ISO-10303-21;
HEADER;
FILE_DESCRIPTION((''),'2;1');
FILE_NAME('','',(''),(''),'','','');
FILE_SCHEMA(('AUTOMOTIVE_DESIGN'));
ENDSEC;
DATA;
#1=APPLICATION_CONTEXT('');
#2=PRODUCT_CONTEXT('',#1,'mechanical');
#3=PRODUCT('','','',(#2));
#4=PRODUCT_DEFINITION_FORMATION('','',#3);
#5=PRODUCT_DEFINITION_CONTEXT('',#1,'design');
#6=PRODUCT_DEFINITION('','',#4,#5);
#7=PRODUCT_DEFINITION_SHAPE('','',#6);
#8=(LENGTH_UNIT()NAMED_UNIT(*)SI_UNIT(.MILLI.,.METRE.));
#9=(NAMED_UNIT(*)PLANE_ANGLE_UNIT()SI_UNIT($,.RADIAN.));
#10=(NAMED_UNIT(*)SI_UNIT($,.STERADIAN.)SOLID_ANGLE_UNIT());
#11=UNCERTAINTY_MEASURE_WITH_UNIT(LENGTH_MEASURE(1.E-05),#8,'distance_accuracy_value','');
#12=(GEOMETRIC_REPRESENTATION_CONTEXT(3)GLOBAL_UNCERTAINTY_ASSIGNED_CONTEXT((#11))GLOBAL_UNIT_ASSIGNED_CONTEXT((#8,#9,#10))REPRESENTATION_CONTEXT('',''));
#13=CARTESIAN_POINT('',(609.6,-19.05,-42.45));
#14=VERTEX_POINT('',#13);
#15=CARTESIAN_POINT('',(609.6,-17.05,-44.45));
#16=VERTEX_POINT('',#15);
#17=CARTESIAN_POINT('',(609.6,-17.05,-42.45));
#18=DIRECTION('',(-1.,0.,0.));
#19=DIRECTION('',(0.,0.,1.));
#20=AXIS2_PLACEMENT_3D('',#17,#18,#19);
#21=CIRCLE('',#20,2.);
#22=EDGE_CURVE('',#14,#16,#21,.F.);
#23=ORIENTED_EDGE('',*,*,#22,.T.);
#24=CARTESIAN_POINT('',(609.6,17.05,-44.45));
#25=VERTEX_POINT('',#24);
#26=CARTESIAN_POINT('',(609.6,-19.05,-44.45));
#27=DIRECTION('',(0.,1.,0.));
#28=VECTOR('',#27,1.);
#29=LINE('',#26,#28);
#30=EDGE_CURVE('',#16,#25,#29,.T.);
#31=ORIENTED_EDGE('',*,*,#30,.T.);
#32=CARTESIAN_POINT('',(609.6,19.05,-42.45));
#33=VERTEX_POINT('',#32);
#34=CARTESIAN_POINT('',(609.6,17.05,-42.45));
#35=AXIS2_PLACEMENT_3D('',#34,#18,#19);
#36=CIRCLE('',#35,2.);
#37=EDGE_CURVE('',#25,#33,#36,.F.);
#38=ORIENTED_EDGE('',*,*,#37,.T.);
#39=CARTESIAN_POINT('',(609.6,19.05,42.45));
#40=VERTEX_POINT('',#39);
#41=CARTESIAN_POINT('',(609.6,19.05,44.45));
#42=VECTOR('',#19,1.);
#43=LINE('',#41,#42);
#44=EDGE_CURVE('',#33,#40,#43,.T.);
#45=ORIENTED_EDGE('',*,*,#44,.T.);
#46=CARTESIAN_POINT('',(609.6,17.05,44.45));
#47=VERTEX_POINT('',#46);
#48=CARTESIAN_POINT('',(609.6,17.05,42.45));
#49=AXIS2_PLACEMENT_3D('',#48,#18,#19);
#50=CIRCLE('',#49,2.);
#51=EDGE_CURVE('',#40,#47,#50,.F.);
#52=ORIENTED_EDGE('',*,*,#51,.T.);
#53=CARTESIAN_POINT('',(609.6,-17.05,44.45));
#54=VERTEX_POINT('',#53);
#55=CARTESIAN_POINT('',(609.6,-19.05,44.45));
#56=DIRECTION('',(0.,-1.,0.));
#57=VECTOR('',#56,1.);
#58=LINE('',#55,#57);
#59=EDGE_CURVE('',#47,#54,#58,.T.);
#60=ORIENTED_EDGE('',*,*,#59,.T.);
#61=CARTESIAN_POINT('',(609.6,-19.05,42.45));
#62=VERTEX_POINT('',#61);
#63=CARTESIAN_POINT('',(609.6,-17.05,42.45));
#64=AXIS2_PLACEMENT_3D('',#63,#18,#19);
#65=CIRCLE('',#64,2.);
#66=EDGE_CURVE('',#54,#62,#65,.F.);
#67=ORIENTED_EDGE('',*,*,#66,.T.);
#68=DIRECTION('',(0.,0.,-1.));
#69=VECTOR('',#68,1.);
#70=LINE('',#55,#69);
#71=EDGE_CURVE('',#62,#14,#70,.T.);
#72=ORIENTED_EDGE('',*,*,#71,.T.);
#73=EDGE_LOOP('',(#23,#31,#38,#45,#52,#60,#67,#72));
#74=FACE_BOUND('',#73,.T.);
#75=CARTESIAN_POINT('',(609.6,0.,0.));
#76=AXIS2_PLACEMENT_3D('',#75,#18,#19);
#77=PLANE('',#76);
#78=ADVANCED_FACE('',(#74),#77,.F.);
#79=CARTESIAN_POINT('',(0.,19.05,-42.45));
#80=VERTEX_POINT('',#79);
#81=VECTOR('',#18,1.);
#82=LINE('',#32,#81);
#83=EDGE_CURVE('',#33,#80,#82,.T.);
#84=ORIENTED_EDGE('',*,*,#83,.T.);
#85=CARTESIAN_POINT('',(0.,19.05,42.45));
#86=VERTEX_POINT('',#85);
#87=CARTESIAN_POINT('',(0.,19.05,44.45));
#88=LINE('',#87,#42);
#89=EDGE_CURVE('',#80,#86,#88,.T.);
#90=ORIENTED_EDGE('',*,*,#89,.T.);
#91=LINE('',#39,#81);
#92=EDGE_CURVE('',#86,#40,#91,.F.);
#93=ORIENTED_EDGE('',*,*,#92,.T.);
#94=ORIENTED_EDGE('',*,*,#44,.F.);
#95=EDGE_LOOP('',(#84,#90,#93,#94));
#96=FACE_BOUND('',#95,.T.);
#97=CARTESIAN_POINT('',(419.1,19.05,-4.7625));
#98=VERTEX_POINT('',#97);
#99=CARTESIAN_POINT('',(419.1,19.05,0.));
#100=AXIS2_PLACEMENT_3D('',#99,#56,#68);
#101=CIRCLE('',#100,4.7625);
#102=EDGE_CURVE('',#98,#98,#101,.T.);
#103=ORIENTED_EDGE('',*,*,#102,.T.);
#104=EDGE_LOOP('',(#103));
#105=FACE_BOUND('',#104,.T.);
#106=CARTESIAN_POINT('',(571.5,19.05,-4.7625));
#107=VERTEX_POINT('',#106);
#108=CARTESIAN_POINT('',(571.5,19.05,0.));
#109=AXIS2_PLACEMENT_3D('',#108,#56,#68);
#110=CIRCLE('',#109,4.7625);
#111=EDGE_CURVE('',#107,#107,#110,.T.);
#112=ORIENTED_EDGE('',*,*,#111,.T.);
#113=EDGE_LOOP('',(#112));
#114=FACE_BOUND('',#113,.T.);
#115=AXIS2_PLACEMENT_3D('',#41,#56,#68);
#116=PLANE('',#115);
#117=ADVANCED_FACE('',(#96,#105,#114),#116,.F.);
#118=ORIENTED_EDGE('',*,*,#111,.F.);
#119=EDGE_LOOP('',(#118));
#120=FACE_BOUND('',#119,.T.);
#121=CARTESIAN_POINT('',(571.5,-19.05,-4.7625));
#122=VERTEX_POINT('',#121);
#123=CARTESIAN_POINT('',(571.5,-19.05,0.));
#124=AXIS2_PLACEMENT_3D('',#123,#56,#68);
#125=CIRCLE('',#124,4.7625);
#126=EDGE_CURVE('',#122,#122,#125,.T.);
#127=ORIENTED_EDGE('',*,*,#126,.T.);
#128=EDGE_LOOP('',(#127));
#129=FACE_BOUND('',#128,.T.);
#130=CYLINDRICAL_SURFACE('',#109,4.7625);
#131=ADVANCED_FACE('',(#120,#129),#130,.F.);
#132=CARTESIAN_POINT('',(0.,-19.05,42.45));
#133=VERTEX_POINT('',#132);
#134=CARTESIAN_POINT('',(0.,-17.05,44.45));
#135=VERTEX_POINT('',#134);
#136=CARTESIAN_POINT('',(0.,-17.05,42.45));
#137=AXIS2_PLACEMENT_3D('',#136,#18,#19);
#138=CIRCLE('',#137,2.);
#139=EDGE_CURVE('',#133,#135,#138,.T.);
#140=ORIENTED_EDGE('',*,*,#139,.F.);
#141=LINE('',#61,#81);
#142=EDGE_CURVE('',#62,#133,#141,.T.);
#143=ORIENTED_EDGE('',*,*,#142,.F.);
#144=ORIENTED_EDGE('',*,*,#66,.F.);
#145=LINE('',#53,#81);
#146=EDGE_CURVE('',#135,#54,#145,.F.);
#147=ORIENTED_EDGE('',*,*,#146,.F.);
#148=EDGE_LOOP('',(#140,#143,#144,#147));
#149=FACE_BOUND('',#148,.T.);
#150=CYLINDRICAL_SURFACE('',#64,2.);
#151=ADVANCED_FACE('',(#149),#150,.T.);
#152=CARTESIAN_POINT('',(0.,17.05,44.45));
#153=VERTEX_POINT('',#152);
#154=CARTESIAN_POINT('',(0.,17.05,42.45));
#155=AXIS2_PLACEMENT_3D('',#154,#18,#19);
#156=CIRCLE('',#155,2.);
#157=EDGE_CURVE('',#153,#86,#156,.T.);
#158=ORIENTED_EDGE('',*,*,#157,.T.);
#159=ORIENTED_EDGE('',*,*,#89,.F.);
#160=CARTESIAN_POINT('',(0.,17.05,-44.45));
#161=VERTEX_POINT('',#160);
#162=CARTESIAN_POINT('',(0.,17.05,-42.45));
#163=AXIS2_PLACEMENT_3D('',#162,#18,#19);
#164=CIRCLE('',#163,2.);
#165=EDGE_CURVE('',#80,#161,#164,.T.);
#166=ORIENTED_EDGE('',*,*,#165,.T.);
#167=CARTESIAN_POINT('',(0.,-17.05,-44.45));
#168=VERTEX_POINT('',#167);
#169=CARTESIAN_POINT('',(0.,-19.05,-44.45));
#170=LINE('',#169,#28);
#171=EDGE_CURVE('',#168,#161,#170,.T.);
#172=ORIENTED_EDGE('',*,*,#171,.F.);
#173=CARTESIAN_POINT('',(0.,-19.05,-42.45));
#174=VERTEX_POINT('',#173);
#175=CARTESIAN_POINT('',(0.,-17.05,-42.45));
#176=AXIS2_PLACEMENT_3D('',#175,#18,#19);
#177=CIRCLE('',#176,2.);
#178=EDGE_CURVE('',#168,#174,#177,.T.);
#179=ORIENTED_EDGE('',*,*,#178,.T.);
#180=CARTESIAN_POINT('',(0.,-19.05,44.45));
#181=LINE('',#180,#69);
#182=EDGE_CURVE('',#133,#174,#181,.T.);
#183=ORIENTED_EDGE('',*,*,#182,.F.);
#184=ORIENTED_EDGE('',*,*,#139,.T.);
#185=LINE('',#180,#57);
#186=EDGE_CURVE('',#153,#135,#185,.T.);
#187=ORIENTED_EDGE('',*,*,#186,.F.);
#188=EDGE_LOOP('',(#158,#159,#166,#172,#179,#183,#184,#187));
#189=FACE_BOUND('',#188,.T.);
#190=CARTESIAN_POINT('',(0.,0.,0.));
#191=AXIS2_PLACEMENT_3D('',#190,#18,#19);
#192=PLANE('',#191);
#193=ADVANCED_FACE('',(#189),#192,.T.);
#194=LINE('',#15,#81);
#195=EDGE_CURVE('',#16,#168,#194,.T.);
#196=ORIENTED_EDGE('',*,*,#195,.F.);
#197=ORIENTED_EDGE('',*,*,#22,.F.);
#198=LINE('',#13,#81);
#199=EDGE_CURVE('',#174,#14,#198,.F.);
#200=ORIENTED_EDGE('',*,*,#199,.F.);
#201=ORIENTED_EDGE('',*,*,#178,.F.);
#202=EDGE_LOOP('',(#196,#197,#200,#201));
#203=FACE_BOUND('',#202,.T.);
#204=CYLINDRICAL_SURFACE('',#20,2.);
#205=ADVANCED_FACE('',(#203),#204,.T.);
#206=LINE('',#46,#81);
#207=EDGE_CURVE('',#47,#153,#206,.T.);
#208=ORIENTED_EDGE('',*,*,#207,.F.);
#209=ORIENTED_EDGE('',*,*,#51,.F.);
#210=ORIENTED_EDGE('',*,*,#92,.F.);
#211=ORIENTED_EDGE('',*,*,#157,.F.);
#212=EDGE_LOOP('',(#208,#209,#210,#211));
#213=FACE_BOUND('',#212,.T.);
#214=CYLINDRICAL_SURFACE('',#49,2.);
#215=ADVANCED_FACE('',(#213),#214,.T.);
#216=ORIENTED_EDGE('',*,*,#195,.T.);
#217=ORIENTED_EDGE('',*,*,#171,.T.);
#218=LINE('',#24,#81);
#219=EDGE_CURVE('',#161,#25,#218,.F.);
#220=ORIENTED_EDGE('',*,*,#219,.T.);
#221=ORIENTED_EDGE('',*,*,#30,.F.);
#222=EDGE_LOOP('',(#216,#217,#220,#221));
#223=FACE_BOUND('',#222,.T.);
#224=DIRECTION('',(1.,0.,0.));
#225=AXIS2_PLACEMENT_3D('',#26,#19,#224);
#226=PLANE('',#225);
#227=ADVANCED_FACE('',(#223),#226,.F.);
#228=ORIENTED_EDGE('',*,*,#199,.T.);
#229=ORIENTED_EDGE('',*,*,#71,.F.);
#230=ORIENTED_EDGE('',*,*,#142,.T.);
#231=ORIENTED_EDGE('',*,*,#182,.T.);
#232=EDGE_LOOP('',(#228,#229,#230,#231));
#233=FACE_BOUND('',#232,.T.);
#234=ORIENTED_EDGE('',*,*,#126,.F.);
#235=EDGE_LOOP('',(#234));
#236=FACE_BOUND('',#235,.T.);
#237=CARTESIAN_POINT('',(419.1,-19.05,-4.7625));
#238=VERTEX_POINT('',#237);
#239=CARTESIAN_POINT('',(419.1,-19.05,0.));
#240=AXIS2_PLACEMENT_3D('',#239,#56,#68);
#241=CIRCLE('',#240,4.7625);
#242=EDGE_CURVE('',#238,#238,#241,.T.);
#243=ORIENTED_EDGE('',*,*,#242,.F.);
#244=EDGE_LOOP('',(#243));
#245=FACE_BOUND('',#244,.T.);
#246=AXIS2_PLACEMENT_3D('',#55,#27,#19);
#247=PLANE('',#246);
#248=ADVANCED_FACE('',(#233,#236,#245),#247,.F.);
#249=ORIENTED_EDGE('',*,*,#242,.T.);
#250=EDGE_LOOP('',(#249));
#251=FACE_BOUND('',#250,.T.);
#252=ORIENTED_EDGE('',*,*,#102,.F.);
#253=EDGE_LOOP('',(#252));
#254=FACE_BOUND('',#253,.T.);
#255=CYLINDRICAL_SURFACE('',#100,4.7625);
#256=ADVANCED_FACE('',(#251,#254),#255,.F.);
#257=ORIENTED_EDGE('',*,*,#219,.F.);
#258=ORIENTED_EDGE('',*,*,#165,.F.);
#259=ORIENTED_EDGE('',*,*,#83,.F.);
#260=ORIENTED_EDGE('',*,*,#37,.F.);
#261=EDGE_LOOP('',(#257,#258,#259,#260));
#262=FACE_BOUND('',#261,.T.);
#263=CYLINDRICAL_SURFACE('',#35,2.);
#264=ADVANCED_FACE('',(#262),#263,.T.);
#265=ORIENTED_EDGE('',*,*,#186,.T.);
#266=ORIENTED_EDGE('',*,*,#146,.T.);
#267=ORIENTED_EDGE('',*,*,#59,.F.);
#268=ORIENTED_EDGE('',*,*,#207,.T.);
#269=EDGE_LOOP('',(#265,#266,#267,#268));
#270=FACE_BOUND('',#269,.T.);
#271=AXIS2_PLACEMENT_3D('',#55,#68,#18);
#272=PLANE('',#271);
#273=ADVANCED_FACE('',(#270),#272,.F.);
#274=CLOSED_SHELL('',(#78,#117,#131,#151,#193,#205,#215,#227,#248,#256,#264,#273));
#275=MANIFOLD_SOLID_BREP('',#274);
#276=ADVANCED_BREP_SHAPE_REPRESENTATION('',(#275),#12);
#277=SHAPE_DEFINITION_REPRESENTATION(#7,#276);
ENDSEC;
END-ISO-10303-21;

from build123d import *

# Parameters (mm, degrees)
SKETCH1_W           = 88.9
SKETCH1_H           = 38.1
BOSS_EXTRUDE1_DEPTH = 609.6
FILLET1_R           = 2
SKETCH2_R           = 4.7625
CUT_EXTRUDE1_DEPTH  = 613.404745654


with BuildPart() as part:
    # Sketch1 → Boss-Extrude1 (new body)
    with BuildSketch(Plane(origin=(0, 609.6, 0), x_dir=(0, 0, -1), z_dir=(1, 0, 0))):
        with Locations((0, -609.6)):
            Rectangle(SKETCH1_W, SKETCH1_H)
    extrude(amount=BOSS_EXTRUDE1_DEPTH)

    # Fillet1
    fillet1_edges = [part.edges().sort_by_distance(p)[0] for p in [
        (304.8, -19.05, -44.45),
        (304.8, -19.05, 44.45),
        (304.8, 19.05, 44.45),
        (304.8, 19.05, -44.45),
    ]]
    fillet(fillet1_edges, radius=FILLET1_R)

    # Sketch2 → Cut-Extrude1 (cut, through all)
    with BuildSketch(Plane(origin=(0, -19.05, 0), x_dir=(-1, 0, 0), z_dir=(0, -1, 0))):
        with Locations(Location((-419.1, 0, 0), (0, 0, 90))):
            Circle(SKETCH2_R)
        with Locations(Location((-571.5, 0, 0), (0, 0, 90))):
            Circle(SKETCH2_R)
    extrude(amount=-CUT_EXTRUDE1_DEPTH, mode=Mode.SUBTRACT)


solid = part.part
